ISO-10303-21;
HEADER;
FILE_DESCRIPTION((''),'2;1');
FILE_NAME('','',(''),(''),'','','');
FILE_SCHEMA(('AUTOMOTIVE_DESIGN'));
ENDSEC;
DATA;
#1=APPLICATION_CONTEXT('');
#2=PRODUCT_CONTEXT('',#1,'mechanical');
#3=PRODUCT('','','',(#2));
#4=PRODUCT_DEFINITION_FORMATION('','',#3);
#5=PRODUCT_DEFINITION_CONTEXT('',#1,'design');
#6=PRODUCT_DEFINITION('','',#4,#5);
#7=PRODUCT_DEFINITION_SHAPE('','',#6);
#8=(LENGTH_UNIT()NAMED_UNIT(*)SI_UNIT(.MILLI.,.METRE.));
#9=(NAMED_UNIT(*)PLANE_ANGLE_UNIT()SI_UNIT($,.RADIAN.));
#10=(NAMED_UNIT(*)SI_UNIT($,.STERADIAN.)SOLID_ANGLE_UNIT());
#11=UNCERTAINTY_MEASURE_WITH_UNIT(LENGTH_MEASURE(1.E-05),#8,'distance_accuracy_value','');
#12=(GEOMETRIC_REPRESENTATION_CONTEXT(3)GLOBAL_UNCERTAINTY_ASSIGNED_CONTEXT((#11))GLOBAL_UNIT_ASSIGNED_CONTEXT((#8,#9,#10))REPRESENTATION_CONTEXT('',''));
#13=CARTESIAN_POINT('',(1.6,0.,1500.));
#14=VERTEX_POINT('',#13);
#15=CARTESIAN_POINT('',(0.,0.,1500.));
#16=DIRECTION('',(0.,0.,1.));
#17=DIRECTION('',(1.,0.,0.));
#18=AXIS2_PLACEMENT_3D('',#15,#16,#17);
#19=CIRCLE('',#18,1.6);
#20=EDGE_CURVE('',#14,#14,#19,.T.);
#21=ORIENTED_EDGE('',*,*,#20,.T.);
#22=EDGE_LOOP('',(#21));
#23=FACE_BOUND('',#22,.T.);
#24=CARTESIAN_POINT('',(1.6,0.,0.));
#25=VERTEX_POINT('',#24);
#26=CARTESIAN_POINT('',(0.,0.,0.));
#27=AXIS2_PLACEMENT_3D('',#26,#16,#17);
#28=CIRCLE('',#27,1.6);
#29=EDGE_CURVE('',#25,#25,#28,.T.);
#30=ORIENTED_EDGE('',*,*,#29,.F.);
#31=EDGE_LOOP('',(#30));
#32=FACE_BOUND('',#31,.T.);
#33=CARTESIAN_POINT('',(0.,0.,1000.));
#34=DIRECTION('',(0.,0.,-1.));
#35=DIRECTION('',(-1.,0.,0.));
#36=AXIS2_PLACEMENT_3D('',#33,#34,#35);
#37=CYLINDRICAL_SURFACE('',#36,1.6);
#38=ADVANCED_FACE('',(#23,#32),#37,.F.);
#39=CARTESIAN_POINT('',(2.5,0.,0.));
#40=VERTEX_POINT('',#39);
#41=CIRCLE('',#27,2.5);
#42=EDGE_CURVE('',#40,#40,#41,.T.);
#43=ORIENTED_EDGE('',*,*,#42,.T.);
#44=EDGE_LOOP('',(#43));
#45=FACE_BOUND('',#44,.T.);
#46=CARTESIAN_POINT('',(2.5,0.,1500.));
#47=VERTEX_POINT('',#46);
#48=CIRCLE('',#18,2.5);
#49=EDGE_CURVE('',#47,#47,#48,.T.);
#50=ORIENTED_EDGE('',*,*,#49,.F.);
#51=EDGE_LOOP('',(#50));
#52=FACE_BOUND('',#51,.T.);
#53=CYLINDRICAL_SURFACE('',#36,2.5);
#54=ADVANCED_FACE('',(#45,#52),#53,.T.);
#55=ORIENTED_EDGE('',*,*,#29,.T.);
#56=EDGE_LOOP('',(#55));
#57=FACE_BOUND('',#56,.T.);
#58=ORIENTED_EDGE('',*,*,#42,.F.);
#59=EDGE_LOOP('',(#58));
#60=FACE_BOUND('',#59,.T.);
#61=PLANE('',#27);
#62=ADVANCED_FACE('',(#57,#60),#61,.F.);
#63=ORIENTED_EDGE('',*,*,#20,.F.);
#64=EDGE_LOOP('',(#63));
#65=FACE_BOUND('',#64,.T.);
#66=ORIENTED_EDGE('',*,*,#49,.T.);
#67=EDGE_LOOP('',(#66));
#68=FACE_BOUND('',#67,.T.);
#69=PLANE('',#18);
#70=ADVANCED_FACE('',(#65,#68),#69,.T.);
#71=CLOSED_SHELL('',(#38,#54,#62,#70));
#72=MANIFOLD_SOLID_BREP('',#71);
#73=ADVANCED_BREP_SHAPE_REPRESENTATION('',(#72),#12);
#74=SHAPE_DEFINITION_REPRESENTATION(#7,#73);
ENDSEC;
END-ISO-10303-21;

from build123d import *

# Parameters (mm, degrees)
SKETCH1_R           = 2.5
SKETCH1_R_2         = 1.6
BOSS_EXTRUDE1_DEPTH = 1000
SKETCH2_R           = 2.5
SKETCH2_R_2         = 1.6
BOSS_EXTRUDE2_DEPTH = 500


with BuildPart() as part:
    # Sketch1 → Boss-Extrude1 (new body)
    with BuildSketch(Plane.XY):
        Circle(SKETCH1_R)
        Circle(SKETCH1_R_2, mode=Mode.SUBTRACT)
    extrude(amount=BOSS_EXTRUDE1_DEPTH)

    # Sketch2 → Boss-Extrude2 (add)
    with BuildSketch(Plane.XY.offset(1000)):
        Circle(SKETCH2_R)
        Circle(SKETCH2_R_2, mode=Mode.SUBTRACT)
    extrude(amount=BOSS_EXTRUDE2_DEPTH)


solid = part.part
